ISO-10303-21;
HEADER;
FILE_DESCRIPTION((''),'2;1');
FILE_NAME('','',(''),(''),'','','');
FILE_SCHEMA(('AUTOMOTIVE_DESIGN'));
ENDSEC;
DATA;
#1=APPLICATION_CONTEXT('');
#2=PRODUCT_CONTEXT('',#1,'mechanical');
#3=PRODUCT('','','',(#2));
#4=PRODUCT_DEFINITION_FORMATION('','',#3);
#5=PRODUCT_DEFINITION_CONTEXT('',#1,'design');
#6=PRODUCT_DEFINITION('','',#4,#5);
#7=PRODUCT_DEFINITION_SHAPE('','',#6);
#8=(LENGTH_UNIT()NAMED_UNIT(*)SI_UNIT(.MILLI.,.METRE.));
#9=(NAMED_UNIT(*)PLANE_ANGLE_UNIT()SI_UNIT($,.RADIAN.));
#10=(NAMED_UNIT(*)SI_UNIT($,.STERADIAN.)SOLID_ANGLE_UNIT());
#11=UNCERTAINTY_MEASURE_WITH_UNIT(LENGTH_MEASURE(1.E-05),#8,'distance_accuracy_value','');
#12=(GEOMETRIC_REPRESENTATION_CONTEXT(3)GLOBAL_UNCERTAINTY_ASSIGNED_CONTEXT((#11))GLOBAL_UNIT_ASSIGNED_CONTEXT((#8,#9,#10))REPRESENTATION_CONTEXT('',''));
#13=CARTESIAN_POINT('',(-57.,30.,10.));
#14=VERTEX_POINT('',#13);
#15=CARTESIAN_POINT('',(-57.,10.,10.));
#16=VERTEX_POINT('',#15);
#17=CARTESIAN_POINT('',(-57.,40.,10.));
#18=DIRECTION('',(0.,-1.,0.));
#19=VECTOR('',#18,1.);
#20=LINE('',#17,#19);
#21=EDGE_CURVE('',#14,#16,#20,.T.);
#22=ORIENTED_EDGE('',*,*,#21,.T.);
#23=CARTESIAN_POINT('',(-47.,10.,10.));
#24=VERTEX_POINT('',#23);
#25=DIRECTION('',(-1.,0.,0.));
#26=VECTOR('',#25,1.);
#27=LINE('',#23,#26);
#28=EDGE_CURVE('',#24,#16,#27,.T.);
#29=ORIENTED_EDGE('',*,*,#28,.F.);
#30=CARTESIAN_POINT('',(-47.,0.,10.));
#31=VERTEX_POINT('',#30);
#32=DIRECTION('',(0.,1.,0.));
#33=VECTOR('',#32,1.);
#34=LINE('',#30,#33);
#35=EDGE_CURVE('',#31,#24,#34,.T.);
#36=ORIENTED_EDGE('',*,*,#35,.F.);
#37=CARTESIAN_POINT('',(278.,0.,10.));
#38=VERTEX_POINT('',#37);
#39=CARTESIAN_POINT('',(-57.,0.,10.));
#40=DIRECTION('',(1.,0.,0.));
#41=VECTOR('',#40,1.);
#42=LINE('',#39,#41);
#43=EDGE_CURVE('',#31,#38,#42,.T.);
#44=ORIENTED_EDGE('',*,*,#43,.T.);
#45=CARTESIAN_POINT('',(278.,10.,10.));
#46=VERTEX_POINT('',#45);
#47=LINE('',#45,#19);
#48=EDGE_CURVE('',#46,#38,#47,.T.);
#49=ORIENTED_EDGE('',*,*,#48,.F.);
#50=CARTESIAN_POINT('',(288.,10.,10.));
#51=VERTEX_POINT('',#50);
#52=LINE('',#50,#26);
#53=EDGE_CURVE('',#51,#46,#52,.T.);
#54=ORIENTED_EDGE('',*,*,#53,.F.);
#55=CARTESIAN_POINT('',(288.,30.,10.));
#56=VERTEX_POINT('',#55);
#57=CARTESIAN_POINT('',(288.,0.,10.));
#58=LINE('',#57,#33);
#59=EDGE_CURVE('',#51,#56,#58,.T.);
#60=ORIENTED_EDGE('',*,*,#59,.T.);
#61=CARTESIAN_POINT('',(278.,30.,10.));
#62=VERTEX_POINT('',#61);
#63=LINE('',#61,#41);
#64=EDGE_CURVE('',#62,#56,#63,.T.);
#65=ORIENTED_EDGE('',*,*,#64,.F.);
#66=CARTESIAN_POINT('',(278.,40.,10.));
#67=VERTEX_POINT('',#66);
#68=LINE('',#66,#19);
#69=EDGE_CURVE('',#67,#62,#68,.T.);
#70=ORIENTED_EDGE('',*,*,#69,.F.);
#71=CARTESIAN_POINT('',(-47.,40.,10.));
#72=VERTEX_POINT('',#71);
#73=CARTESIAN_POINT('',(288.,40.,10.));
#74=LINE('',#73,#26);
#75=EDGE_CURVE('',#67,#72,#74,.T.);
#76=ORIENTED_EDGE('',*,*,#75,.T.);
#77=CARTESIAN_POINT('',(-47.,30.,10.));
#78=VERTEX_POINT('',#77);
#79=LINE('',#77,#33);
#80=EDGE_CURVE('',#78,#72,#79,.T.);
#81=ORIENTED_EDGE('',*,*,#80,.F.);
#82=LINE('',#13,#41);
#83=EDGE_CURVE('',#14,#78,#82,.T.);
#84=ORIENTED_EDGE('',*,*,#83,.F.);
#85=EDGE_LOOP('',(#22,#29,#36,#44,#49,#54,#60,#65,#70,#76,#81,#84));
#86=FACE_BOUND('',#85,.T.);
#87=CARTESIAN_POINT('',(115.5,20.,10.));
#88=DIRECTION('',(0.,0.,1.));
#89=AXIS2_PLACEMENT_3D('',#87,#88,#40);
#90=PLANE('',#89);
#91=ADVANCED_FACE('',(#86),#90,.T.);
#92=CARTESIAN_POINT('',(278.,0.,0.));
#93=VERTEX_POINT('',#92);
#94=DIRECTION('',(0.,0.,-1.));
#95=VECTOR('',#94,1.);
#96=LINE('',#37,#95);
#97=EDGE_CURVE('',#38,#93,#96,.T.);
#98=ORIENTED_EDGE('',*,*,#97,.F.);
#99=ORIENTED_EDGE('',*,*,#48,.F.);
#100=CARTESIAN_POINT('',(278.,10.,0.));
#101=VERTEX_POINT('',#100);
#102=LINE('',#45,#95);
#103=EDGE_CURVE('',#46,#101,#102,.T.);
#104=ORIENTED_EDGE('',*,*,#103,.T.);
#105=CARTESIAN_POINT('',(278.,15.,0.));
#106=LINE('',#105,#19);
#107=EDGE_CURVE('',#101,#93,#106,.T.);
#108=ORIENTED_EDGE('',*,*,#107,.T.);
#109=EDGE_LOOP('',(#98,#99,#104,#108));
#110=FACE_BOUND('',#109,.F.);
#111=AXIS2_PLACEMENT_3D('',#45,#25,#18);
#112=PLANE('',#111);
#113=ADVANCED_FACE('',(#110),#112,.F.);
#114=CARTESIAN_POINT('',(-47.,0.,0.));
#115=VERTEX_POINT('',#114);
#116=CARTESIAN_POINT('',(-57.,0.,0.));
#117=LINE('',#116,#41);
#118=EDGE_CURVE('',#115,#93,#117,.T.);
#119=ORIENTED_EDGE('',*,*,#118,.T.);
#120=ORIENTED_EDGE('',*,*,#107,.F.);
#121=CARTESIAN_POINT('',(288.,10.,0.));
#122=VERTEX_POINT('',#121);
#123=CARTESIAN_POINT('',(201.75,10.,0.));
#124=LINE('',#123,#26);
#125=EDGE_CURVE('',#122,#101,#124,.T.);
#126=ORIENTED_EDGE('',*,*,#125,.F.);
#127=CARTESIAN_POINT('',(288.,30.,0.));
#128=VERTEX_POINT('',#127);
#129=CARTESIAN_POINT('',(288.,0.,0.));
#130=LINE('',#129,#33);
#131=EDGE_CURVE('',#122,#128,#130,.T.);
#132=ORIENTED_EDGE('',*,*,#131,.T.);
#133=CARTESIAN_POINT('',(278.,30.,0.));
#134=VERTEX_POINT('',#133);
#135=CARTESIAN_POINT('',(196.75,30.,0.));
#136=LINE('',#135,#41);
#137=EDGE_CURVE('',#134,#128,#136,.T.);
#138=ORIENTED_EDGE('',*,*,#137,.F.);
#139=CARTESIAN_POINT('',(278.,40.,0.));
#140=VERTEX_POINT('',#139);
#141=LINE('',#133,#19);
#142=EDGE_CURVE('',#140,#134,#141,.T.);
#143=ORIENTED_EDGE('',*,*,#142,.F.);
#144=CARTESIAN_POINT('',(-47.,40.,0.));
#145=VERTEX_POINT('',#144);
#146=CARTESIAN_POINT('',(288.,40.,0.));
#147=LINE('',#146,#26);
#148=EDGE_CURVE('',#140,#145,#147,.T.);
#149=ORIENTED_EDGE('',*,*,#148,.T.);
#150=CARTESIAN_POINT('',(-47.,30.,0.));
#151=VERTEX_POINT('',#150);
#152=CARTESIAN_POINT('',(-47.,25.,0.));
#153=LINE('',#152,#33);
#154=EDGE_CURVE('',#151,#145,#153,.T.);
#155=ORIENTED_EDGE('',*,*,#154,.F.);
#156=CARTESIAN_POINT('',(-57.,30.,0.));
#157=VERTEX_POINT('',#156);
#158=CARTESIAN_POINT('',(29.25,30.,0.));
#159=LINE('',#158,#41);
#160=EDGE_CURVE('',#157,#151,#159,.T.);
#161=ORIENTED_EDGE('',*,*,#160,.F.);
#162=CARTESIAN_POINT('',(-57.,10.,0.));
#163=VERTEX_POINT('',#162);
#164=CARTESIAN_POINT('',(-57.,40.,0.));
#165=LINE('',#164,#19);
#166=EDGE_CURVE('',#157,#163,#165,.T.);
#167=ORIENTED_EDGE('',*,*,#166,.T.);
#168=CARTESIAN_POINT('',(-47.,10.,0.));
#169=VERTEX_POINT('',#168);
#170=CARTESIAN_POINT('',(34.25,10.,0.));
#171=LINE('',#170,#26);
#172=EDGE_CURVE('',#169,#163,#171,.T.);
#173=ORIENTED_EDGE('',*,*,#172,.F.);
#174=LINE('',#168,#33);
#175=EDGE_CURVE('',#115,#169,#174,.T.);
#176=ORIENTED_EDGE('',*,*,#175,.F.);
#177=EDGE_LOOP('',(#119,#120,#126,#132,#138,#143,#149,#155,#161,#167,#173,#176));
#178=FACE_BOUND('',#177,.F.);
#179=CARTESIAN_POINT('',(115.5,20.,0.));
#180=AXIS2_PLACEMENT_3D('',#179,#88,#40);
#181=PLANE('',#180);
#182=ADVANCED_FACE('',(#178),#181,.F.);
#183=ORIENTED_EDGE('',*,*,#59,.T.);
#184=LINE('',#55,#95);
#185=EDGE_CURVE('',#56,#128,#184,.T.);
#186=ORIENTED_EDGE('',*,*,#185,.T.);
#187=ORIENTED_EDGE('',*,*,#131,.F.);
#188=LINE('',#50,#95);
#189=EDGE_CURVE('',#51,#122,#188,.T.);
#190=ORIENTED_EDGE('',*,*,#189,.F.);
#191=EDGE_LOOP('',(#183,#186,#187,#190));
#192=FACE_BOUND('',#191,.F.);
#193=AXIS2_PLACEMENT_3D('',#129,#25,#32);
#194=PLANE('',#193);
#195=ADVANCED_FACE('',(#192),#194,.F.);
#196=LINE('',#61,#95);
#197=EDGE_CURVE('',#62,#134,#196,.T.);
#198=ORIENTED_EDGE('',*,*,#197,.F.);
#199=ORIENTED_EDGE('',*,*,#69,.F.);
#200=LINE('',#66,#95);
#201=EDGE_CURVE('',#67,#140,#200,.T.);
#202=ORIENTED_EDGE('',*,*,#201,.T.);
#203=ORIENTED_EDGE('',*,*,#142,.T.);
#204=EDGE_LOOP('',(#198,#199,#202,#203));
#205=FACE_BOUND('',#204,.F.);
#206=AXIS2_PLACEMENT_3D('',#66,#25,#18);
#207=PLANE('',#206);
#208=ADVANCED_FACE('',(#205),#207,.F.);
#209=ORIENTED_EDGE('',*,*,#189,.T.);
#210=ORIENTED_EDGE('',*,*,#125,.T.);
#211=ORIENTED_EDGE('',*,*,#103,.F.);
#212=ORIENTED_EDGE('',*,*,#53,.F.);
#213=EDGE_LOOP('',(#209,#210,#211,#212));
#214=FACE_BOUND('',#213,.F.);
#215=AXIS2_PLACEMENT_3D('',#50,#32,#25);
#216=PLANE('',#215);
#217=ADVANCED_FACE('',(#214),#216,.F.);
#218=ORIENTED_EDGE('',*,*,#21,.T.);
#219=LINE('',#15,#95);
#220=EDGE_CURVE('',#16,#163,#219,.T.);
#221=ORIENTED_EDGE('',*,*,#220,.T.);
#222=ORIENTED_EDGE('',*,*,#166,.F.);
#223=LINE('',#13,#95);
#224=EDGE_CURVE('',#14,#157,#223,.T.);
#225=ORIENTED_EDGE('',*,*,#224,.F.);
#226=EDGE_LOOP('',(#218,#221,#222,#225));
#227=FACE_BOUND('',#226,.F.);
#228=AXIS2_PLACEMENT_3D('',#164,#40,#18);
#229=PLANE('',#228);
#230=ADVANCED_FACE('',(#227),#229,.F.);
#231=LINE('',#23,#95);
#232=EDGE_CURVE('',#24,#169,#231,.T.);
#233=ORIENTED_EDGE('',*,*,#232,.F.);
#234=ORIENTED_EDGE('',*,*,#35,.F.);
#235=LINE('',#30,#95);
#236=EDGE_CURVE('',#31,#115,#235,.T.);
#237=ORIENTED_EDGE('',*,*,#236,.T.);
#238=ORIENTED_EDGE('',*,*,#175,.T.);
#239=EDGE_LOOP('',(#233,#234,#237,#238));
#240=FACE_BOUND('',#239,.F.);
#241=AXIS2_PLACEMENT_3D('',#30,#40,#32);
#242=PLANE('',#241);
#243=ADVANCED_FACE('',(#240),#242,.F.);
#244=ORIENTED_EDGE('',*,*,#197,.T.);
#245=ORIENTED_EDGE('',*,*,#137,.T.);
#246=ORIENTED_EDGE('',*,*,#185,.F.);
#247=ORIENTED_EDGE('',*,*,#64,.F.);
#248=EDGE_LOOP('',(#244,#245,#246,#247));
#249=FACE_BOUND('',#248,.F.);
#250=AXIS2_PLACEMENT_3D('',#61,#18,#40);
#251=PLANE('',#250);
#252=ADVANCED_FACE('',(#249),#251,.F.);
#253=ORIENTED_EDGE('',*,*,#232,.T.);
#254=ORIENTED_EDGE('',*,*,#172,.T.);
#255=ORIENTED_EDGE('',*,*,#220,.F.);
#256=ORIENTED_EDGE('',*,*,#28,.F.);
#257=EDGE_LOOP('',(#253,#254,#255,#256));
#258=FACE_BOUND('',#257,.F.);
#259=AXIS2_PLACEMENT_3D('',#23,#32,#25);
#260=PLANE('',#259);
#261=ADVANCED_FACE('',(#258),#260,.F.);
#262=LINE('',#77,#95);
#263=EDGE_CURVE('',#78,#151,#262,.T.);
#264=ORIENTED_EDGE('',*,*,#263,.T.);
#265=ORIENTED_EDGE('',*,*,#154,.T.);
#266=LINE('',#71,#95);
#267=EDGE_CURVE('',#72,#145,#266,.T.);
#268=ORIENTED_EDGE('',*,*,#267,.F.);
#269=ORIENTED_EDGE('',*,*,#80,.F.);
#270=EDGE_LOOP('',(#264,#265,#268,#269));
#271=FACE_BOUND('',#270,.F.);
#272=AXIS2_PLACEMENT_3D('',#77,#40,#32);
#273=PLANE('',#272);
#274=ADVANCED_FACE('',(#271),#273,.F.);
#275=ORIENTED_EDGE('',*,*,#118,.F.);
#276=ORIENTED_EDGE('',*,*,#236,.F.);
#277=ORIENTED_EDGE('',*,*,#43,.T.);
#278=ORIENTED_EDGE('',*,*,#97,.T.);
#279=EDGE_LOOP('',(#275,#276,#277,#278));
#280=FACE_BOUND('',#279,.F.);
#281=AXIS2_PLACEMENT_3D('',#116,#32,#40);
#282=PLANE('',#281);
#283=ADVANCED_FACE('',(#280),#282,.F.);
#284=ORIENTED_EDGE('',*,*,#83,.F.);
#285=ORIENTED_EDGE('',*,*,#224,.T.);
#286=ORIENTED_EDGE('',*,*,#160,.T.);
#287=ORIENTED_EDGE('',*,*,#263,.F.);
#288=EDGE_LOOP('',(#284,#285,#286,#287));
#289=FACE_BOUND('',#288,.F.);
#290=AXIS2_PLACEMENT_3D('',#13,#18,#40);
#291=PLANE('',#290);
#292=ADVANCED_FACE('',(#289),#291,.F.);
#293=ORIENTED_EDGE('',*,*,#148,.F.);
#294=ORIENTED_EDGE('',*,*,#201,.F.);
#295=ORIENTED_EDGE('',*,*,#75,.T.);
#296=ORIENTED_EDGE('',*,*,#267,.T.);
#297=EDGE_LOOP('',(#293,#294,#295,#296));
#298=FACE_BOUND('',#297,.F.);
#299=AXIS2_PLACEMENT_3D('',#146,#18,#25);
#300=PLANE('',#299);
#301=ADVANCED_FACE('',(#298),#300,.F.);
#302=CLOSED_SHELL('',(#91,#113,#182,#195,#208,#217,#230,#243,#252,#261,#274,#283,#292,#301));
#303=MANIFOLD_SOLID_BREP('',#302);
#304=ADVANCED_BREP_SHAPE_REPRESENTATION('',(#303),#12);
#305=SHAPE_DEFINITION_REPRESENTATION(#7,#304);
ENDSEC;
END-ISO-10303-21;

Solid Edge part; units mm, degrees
sketch "Sketch1" plane through (0, 0, 0) normal (0, 0, 1) x (1, 0, 0)
  line L0 (-57, 0) -> (288, 0)
  line L1 (288, 0) -> (288, 40)
  line L2 (288, 40) -> (-57, 40)
  line L3 (-57, 40) -> (-57, 0)
extrude "Protrusion1" add sketch "Sketch1" along normal blind 10
sketch "Sketch2" plane through (115.5, 20, 10) normal (0, 0, 1) x (1, 0, 0)
  line L0 (-172.5, 20) -> (-172.5, 10)
  line L1 (-172.5, 10) -> (-162.5, 10)
  line L2 (-162.5, 10) -> (-162.5, 20)
  line L3 (-162.5, 20) -> (-172.5, 20)
  line L4 (-172.5, -20) -> (-162.5, -20)
  line L5 (-162.5, -20) -> (-162.5, -10)
  line L6 (-162.5, -10) -> (-172.5, -10)
  line L7 (-172.5, -10) -> (-172.5, -20)
  line L8 (172.5, 20) -> (162.5, 20)
  line L9 (162.5, 20) -> (162.5, 10)
  line L10 (162.5, 10) -> (172.5, 10)
  line L11 (172.5, 10) -> (172.5, 20)
  line L12 (172.5, -20) -> (172.5, -10)
  line L13 (172.5, -10) -> (162.5, -10)
  line L14 (162.5, -10) -> (162.5, -20)
  line L15 (162.5, -20) -> (172.5, -20)
extrude "VaciadoExtruido_1" cut sketch "Sketch2" against normal blind 85.725
